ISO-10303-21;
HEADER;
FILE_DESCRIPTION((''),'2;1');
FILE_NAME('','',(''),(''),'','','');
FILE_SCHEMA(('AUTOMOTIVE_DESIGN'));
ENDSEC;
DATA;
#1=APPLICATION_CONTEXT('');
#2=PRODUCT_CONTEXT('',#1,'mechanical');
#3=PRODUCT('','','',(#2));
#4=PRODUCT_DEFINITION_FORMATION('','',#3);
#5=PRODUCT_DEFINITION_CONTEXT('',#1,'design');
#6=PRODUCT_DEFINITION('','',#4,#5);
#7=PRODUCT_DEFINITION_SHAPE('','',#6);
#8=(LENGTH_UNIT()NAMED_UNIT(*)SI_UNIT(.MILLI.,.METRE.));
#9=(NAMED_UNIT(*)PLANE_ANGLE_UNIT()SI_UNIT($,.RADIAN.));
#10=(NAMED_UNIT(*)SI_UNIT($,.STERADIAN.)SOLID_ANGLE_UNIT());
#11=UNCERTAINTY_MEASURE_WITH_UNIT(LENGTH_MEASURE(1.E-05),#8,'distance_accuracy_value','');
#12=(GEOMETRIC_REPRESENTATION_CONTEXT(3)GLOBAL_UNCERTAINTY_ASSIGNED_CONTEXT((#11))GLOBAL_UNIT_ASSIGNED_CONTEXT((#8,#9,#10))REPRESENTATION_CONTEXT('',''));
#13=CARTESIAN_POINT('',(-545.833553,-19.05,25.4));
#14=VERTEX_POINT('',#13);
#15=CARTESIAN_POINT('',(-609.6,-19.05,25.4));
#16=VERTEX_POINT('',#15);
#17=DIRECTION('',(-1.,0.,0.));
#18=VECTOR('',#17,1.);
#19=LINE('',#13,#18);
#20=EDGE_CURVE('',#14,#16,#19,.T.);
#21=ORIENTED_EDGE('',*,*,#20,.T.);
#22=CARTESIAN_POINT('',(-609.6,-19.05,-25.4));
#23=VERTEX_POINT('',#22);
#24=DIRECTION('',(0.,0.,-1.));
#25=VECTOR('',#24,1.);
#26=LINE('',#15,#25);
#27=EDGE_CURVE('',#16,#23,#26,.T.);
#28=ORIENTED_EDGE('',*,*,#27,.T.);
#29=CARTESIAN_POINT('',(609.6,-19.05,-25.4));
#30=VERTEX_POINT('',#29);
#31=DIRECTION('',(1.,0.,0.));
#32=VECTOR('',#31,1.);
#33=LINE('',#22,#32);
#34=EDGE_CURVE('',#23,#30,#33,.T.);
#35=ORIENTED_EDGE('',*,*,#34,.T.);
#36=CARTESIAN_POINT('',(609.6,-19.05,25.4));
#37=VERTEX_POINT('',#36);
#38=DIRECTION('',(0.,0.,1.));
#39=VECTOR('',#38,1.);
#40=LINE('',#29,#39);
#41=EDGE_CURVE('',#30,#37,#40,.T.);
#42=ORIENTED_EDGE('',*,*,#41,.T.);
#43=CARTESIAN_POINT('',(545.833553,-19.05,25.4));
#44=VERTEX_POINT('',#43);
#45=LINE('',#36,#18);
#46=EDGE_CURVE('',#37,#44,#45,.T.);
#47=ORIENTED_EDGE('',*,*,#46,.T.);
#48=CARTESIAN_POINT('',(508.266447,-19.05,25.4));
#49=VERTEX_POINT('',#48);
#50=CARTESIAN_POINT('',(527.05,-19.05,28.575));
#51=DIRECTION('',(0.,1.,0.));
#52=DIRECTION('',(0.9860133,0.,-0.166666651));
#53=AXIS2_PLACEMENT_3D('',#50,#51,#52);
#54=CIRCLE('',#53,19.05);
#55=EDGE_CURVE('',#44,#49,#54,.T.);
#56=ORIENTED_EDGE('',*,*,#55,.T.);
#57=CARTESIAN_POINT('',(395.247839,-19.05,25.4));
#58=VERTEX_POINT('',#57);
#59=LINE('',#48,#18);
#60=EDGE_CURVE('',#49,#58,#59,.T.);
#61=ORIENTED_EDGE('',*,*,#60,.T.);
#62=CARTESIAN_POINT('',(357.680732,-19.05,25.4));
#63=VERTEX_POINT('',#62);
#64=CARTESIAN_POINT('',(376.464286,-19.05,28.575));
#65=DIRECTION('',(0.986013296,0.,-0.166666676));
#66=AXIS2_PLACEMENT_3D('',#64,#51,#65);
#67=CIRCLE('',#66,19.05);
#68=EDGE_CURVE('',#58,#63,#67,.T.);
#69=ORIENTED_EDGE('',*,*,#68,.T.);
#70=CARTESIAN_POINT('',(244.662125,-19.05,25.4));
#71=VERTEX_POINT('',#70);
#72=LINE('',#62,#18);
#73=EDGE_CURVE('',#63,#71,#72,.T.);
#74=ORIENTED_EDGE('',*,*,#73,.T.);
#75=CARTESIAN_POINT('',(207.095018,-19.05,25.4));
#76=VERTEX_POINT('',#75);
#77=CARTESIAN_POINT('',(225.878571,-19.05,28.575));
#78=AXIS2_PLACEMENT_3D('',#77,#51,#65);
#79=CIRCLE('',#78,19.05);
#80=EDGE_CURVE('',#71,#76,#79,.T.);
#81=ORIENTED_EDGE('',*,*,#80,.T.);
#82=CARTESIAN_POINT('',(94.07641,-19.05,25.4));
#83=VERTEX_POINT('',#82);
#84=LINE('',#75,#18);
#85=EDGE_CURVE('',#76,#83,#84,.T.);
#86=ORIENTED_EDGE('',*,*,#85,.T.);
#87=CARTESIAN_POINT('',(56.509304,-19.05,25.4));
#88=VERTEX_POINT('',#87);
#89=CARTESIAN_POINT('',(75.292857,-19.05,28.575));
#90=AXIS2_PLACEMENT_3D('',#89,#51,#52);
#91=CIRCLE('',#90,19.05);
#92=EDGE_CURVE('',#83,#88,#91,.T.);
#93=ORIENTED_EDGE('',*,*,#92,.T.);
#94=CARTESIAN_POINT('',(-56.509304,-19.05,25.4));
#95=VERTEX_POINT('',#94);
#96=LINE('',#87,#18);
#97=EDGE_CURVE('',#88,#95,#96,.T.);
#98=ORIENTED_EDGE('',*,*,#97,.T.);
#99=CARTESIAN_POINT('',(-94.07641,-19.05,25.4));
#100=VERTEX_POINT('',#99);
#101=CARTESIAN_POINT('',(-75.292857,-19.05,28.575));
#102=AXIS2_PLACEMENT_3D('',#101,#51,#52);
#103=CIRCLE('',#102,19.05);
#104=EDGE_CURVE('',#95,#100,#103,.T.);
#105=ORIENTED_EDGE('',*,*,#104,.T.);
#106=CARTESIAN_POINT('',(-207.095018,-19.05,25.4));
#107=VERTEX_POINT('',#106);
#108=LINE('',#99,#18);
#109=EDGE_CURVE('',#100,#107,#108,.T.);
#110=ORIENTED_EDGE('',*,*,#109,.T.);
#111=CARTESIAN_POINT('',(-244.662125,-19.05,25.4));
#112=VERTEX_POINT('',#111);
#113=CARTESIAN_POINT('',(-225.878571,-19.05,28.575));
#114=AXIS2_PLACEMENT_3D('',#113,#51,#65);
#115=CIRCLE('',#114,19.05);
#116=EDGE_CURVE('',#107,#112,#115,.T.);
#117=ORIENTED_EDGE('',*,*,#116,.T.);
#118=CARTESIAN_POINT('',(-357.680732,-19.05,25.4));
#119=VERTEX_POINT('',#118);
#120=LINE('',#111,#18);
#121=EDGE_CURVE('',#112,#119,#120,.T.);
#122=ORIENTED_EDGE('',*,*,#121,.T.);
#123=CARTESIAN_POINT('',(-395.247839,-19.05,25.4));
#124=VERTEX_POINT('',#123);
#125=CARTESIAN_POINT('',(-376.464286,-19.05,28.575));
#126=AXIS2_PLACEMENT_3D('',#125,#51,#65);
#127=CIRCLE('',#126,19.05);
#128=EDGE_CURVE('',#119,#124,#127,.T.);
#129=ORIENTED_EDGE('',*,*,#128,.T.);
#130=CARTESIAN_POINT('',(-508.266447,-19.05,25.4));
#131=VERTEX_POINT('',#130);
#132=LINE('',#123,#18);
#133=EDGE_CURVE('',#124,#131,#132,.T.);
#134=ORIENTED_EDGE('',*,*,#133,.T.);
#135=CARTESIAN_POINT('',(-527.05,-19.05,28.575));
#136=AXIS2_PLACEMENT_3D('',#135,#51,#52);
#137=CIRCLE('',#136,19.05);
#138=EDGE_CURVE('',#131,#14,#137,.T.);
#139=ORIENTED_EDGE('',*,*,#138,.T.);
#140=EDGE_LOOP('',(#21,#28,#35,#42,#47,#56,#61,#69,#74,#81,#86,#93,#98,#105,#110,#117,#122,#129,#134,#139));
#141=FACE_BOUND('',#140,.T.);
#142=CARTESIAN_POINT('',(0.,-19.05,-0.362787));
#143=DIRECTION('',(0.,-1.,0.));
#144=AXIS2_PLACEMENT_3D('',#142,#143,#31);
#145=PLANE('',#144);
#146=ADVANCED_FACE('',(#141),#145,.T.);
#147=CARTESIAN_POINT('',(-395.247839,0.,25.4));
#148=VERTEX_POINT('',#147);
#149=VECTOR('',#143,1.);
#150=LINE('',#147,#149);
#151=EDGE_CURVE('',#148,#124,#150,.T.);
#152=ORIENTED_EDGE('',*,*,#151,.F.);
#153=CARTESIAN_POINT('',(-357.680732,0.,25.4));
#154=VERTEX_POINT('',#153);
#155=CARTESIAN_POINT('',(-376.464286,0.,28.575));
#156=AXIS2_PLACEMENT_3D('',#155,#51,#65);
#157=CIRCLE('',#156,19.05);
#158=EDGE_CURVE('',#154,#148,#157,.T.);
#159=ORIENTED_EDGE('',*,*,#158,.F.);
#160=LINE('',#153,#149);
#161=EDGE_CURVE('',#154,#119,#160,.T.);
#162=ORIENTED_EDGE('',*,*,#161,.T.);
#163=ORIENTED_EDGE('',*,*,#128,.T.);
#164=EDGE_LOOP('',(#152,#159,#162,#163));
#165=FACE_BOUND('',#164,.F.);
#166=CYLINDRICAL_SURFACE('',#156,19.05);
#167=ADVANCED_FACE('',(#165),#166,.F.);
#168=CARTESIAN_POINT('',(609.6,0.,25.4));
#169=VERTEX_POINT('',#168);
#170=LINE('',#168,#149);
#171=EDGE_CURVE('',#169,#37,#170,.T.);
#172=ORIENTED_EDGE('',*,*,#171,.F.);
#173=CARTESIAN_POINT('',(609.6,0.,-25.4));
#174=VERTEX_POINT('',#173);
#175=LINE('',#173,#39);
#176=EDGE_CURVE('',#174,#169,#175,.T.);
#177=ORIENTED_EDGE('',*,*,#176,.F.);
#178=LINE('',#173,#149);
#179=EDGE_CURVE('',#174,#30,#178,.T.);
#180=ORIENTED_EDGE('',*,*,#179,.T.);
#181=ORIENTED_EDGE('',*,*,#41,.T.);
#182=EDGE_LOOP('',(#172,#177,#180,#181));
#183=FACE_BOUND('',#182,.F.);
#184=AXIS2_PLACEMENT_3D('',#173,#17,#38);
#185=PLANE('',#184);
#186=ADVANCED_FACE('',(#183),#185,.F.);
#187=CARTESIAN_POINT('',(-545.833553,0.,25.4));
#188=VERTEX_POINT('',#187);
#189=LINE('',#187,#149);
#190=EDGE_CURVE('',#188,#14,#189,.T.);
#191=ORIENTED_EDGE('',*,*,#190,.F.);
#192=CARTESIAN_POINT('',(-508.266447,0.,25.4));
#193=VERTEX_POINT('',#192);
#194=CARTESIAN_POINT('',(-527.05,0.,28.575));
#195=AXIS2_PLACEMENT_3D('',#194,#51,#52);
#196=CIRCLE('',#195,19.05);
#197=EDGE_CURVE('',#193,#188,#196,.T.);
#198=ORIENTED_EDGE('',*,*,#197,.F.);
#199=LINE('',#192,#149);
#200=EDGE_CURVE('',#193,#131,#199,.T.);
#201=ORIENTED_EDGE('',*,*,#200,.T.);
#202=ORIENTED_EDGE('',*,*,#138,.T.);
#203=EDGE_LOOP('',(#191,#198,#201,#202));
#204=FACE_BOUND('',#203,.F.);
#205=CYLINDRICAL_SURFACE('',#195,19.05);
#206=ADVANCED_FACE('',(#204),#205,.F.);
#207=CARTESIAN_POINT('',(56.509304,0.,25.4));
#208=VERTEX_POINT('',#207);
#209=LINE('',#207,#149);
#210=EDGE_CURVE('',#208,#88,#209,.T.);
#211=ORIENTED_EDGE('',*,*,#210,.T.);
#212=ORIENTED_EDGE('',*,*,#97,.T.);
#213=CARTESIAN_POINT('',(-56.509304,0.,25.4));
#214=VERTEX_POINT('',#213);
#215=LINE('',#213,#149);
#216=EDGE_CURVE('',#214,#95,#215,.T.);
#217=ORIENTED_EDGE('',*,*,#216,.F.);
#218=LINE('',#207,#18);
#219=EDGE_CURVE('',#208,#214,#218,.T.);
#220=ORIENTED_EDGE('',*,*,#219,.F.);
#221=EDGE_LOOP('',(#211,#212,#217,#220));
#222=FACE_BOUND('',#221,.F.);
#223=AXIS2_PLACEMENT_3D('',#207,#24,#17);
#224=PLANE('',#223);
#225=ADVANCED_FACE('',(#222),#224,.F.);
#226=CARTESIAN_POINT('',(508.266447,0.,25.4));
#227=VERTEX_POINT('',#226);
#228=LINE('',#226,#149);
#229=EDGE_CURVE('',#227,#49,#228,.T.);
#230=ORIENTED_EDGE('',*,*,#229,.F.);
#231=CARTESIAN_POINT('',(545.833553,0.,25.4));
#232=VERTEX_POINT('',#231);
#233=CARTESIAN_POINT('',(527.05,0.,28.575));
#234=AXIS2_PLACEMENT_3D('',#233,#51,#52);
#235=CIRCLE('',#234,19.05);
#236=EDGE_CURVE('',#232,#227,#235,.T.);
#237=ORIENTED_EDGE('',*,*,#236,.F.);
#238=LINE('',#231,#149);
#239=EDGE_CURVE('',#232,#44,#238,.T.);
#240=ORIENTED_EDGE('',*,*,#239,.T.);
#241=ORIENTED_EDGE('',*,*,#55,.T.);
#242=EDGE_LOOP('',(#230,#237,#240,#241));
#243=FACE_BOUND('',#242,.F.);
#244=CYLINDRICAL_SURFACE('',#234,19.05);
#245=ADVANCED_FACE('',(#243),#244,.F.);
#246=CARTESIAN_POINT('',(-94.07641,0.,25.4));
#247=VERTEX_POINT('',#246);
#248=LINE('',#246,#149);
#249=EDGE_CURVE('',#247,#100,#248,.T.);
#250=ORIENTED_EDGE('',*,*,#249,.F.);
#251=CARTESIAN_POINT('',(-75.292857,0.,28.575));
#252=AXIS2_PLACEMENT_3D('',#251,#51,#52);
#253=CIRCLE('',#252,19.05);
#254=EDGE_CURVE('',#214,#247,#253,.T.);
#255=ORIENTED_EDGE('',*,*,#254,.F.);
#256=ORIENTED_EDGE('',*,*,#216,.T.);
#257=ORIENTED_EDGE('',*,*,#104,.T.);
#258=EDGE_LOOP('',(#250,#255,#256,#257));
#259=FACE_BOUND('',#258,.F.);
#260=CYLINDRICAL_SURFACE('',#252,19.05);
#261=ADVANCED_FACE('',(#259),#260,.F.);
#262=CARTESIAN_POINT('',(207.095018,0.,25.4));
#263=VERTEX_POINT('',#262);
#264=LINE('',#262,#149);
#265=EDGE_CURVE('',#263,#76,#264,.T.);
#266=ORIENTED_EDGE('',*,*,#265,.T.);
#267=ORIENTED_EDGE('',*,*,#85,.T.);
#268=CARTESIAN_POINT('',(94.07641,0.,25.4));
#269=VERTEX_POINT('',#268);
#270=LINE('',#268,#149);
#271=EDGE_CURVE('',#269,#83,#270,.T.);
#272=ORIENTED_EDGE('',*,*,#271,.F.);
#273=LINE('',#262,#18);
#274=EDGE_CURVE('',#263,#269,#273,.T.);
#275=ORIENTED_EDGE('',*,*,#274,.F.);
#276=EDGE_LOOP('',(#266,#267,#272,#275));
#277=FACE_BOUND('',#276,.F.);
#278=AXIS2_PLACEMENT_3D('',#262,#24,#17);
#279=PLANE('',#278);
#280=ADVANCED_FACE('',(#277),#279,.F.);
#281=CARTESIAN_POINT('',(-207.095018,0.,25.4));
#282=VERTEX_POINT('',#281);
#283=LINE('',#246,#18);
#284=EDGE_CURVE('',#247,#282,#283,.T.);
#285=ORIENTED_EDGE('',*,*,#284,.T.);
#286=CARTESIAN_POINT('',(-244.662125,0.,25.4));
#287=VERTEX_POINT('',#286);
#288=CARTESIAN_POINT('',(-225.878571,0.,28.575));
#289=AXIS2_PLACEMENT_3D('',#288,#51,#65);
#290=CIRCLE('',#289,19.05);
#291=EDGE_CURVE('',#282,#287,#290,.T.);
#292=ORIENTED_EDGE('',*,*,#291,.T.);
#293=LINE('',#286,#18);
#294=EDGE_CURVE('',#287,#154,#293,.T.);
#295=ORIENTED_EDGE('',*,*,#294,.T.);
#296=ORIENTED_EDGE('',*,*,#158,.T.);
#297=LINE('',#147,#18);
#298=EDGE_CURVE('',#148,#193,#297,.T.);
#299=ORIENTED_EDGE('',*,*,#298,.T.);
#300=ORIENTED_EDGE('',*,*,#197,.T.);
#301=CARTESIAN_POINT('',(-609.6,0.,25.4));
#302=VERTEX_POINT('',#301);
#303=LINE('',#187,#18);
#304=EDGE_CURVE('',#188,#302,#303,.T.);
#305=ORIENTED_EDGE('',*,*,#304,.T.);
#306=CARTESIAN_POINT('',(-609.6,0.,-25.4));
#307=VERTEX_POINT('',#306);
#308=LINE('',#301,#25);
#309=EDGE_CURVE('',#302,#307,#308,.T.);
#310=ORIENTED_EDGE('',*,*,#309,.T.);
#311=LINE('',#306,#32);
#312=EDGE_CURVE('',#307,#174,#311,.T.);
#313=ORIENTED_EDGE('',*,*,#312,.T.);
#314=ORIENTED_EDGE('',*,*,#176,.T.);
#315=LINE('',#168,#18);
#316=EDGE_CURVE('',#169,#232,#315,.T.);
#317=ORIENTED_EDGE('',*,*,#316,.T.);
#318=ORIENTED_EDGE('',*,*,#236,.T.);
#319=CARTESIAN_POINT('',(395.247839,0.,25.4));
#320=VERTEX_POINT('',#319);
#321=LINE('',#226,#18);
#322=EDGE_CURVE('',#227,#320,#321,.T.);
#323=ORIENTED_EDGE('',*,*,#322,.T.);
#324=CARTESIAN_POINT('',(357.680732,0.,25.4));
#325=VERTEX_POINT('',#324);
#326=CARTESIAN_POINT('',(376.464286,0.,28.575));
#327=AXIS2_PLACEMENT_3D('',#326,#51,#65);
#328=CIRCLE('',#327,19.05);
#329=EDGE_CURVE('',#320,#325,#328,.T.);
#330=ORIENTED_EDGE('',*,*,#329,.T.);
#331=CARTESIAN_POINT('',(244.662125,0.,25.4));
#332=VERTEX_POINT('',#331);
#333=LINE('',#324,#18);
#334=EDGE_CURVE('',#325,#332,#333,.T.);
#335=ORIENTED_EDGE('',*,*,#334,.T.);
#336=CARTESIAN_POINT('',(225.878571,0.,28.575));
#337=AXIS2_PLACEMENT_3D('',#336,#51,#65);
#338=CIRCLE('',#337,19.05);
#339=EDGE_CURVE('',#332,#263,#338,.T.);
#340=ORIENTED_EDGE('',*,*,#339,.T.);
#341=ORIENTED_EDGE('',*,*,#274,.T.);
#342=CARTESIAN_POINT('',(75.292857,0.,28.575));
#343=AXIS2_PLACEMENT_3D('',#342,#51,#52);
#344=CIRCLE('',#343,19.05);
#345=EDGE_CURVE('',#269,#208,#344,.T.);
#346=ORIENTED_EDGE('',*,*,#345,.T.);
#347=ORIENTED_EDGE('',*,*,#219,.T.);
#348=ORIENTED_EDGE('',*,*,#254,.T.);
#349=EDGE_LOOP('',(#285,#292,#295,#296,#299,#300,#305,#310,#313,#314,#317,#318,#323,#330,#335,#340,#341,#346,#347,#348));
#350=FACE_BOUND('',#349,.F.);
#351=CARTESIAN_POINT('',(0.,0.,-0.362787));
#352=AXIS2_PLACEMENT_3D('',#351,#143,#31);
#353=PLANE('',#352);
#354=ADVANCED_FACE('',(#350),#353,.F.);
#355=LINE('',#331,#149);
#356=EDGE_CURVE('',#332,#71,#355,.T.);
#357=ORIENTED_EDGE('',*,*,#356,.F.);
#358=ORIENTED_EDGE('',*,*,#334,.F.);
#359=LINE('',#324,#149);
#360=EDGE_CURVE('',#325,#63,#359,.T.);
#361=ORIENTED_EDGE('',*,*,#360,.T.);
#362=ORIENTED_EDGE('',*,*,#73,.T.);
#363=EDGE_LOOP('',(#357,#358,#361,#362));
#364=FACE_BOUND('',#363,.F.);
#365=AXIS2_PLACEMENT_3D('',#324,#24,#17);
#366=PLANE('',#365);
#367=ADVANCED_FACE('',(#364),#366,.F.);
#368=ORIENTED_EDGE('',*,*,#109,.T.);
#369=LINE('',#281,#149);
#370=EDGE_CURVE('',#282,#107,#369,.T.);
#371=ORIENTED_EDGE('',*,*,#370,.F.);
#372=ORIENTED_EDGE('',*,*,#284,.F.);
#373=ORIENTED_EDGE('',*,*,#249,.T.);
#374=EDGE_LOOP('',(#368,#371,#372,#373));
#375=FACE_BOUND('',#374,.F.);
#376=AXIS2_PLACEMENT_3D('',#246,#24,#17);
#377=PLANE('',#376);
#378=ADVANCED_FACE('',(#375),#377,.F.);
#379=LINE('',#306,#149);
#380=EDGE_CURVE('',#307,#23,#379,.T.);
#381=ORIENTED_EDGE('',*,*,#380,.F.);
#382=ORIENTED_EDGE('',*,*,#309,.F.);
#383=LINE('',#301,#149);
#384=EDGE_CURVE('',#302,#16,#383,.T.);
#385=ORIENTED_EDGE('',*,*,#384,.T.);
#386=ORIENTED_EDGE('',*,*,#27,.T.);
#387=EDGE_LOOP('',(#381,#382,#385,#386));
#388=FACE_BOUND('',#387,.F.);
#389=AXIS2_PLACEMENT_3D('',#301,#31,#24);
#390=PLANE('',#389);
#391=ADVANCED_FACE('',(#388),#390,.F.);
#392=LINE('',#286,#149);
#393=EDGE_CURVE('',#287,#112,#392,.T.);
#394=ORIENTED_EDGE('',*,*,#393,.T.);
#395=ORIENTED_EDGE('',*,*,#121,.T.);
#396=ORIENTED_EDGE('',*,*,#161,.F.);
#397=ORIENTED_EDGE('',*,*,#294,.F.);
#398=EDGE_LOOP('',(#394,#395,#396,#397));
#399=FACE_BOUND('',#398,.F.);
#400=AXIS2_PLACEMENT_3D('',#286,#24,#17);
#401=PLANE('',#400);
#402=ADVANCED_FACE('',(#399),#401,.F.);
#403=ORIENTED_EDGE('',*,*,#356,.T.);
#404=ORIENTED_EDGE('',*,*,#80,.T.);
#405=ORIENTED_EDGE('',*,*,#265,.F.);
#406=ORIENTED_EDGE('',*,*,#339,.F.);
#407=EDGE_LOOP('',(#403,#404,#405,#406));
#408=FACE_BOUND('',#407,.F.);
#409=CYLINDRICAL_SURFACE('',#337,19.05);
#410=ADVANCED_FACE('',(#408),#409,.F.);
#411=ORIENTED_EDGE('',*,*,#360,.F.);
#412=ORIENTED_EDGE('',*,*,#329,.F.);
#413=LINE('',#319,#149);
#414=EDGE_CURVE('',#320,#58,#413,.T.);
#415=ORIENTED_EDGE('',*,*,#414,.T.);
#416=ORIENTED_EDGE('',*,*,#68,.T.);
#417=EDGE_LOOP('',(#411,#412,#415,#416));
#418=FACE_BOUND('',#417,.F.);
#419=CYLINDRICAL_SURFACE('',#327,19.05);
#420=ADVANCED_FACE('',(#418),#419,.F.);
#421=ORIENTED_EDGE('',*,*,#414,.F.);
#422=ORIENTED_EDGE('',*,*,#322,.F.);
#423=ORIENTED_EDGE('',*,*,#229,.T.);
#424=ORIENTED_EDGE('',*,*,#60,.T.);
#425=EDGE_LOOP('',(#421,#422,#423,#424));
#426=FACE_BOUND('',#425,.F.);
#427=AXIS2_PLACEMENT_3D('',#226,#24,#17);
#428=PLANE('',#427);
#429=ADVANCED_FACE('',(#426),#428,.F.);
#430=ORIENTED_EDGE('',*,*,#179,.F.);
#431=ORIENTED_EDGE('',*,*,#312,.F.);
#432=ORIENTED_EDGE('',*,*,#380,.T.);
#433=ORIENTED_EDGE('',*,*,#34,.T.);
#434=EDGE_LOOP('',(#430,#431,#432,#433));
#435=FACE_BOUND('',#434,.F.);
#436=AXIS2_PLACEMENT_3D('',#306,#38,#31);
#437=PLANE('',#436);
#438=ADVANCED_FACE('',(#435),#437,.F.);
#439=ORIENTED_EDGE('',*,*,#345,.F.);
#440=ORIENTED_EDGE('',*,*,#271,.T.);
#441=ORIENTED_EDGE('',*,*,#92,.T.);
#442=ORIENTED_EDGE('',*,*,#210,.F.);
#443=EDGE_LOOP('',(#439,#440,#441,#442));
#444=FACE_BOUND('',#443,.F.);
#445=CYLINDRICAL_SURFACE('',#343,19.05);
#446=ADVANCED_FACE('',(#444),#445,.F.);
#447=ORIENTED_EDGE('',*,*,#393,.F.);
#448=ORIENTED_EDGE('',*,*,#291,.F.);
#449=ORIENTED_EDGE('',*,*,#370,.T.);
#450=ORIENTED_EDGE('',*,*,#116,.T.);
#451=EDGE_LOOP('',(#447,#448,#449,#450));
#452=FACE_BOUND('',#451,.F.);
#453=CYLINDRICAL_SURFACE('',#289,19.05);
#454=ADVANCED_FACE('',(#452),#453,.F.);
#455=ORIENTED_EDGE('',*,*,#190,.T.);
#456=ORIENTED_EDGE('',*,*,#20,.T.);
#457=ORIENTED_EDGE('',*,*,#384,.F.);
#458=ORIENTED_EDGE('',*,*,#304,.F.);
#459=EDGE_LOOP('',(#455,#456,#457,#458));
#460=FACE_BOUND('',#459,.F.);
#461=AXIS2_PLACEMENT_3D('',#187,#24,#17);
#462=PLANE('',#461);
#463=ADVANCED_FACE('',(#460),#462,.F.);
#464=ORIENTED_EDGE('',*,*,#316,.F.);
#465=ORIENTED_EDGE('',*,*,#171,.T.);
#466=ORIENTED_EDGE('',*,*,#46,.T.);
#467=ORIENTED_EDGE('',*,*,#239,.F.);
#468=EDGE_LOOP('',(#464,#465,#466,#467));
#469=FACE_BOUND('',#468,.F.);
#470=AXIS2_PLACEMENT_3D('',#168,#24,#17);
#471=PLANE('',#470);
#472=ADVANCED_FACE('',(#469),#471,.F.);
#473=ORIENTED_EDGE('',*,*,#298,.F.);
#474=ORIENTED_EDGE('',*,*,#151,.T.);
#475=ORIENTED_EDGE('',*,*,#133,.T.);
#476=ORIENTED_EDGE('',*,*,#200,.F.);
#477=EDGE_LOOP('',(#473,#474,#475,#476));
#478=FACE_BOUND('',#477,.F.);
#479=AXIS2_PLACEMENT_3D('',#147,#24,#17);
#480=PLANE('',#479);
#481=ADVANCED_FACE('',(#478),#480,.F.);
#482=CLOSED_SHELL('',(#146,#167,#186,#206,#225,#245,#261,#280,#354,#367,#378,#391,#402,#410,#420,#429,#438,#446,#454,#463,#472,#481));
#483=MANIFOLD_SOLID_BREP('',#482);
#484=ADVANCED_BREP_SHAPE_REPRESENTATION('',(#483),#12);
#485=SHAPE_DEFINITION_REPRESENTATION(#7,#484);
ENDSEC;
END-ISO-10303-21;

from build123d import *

# Parameters (mm, degrees)
F1_DEPTH = 19.05


with BuildPart() as f1:
    # F0 (on Front) → F1 (new body)
    with BuildSketch(Plane.XZ):
        with BuildLine():
            Line((-609.6, -25.4), (609.6, -25.4))
            Line((609.6, -25.4), (609.6, 25.4))
            Line((609.6, 25.4), (545.833553, 25.4))
            ThreePointArc((545.833553, 25.4), (527.05, 9.525), (508.266447, 25.4))
            Line((508.266447, 25.4), (395.247839, 25.4))
            ThreePointArc((395.247839, 25.4), (376.464286, 9.525), (357.680732, 25.4))
            Line((357.680732, 25.4), (244.662125, 25.4))
            ThreePointArc((244.662125, 25.4), (225.878571, 9.525), (207.095018, 25.4))
            Line((207.095018, 25.4), (94.07641, 25.4))
            ThreePointArc((94.07641, 25.4), (75.292857, 9.525), (56.509304, 25.4))
            Line((56.509304, 25.4), (-56.509304, 25.4))
            ThreePointArc((-56.509304, 25.4), (-75.292857, 9.525), (-94.07641, 25.4))
            Line((-94.07641, 25.4), (-207.095018, 25.4))
            ThreePointArc((-207.095018, 25.4), (-225.878571, 9.525), (-244.662125, 25.4))
            Line((-244.662125, 25.4), (-357.680732, 25.4))
            ThreePointArc((-357.680732, 25.4), (-376.464286, 9.525), (-395.247839, 25.4))
            Line((-395.247839, 25.4), (-508.266447, 25.4))
            ThreePointArc((-508.266447, 25.4), (-527.05, 9.525), (-545.833553, 25.4))
            Line((-545.833553, 25.4), (-609.6, 25.4))
            Line((-609.6, 25.4), (-609.6, -25.4))
        make_face()
    extrude(amount=F1_DEPTH)


solid = f1.part
